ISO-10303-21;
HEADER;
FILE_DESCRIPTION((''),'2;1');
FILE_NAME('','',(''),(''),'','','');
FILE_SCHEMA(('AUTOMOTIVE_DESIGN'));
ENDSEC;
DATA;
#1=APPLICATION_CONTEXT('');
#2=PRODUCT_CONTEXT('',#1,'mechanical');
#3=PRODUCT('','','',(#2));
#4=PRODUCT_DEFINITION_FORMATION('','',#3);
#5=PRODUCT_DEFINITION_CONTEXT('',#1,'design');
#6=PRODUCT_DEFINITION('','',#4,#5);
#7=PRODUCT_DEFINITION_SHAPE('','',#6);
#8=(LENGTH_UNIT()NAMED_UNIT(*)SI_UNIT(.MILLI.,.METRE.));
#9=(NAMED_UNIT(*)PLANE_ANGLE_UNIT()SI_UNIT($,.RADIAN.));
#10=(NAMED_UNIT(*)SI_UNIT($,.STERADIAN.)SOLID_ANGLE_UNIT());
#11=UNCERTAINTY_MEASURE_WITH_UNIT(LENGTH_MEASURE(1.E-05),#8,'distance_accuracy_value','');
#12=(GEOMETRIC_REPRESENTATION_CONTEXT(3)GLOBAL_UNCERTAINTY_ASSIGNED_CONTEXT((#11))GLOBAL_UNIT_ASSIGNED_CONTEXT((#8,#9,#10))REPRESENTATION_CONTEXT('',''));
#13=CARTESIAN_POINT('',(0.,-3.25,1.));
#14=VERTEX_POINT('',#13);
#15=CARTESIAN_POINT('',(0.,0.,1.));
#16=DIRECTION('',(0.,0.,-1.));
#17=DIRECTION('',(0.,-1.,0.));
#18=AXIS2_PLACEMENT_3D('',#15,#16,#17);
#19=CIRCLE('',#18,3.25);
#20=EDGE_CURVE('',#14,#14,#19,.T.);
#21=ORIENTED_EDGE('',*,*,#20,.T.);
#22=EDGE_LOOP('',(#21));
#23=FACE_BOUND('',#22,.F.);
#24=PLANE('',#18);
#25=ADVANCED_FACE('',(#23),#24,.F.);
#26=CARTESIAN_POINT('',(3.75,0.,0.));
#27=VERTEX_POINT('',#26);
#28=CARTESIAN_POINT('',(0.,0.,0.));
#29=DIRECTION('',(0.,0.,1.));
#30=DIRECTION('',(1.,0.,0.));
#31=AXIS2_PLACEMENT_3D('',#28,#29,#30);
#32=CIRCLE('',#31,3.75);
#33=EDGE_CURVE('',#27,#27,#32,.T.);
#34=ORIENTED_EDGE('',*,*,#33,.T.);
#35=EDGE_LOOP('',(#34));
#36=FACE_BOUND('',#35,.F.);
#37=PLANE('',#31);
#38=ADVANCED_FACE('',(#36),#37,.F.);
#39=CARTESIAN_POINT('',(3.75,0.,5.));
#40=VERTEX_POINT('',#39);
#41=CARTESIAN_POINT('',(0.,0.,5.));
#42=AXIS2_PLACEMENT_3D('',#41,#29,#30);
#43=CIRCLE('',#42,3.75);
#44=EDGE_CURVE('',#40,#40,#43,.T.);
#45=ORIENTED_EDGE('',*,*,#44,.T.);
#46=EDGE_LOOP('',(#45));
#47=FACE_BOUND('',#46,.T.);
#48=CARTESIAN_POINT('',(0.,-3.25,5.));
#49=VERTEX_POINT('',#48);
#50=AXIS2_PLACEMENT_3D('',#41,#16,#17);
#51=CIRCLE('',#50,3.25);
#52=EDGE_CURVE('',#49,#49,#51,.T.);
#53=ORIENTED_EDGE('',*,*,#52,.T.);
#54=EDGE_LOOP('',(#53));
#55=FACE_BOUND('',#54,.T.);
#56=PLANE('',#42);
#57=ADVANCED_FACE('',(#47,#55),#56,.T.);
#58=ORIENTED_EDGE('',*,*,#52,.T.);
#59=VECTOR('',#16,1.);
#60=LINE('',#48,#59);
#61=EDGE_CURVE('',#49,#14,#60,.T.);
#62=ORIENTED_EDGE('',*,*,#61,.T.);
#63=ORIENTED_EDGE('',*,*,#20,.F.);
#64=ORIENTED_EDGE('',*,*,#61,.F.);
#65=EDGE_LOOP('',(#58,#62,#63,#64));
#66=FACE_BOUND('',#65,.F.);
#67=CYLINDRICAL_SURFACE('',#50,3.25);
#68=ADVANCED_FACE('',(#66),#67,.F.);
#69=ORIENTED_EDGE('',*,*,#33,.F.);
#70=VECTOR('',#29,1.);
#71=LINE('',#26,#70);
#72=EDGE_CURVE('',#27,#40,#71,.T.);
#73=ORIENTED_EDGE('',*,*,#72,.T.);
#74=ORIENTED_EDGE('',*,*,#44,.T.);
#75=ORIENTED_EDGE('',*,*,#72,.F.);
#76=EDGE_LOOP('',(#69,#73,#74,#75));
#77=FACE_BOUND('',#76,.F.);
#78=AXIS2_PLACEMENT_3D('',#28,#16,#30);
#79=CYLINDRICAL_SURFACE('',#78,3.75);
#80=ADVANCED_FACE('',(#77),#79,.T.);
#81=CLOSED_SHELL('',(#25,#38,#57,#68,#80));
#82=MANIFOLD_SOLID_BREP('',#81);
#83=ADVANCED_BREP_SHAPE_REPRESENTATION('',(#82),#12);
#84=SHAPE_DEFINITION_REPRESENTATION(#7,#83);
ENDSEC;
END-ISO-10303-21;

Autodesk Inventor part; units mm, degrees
ref_plane "YZ Plane" through (0, 0, 0) normal (1, 0, 0) x (0, 1, 0)
ref_plane "XZ Plane" through (0, 0, 0) normal (0, 1, 0) x (-1, 0, 0)
ref_plane "XY Plane" through (0, 0, 0) normal (0, 0, 1) x (1, 0, 0)
sketch "Sketch1" plane through (0, 0, 0) normal (0, 0, 1) x (1, 0, 0)
  circle A0 centre (0, 0) radius 3.75
  dimension "d0" = 7.5
extrude "Extrusion1" add sketch "Sketch1" along normal blind 5
hole "Hole1" at (0, 0, 5) direction (0, 0, -1) diameter 6.5 depth 4
properties part number "motor_hinge_cup"
